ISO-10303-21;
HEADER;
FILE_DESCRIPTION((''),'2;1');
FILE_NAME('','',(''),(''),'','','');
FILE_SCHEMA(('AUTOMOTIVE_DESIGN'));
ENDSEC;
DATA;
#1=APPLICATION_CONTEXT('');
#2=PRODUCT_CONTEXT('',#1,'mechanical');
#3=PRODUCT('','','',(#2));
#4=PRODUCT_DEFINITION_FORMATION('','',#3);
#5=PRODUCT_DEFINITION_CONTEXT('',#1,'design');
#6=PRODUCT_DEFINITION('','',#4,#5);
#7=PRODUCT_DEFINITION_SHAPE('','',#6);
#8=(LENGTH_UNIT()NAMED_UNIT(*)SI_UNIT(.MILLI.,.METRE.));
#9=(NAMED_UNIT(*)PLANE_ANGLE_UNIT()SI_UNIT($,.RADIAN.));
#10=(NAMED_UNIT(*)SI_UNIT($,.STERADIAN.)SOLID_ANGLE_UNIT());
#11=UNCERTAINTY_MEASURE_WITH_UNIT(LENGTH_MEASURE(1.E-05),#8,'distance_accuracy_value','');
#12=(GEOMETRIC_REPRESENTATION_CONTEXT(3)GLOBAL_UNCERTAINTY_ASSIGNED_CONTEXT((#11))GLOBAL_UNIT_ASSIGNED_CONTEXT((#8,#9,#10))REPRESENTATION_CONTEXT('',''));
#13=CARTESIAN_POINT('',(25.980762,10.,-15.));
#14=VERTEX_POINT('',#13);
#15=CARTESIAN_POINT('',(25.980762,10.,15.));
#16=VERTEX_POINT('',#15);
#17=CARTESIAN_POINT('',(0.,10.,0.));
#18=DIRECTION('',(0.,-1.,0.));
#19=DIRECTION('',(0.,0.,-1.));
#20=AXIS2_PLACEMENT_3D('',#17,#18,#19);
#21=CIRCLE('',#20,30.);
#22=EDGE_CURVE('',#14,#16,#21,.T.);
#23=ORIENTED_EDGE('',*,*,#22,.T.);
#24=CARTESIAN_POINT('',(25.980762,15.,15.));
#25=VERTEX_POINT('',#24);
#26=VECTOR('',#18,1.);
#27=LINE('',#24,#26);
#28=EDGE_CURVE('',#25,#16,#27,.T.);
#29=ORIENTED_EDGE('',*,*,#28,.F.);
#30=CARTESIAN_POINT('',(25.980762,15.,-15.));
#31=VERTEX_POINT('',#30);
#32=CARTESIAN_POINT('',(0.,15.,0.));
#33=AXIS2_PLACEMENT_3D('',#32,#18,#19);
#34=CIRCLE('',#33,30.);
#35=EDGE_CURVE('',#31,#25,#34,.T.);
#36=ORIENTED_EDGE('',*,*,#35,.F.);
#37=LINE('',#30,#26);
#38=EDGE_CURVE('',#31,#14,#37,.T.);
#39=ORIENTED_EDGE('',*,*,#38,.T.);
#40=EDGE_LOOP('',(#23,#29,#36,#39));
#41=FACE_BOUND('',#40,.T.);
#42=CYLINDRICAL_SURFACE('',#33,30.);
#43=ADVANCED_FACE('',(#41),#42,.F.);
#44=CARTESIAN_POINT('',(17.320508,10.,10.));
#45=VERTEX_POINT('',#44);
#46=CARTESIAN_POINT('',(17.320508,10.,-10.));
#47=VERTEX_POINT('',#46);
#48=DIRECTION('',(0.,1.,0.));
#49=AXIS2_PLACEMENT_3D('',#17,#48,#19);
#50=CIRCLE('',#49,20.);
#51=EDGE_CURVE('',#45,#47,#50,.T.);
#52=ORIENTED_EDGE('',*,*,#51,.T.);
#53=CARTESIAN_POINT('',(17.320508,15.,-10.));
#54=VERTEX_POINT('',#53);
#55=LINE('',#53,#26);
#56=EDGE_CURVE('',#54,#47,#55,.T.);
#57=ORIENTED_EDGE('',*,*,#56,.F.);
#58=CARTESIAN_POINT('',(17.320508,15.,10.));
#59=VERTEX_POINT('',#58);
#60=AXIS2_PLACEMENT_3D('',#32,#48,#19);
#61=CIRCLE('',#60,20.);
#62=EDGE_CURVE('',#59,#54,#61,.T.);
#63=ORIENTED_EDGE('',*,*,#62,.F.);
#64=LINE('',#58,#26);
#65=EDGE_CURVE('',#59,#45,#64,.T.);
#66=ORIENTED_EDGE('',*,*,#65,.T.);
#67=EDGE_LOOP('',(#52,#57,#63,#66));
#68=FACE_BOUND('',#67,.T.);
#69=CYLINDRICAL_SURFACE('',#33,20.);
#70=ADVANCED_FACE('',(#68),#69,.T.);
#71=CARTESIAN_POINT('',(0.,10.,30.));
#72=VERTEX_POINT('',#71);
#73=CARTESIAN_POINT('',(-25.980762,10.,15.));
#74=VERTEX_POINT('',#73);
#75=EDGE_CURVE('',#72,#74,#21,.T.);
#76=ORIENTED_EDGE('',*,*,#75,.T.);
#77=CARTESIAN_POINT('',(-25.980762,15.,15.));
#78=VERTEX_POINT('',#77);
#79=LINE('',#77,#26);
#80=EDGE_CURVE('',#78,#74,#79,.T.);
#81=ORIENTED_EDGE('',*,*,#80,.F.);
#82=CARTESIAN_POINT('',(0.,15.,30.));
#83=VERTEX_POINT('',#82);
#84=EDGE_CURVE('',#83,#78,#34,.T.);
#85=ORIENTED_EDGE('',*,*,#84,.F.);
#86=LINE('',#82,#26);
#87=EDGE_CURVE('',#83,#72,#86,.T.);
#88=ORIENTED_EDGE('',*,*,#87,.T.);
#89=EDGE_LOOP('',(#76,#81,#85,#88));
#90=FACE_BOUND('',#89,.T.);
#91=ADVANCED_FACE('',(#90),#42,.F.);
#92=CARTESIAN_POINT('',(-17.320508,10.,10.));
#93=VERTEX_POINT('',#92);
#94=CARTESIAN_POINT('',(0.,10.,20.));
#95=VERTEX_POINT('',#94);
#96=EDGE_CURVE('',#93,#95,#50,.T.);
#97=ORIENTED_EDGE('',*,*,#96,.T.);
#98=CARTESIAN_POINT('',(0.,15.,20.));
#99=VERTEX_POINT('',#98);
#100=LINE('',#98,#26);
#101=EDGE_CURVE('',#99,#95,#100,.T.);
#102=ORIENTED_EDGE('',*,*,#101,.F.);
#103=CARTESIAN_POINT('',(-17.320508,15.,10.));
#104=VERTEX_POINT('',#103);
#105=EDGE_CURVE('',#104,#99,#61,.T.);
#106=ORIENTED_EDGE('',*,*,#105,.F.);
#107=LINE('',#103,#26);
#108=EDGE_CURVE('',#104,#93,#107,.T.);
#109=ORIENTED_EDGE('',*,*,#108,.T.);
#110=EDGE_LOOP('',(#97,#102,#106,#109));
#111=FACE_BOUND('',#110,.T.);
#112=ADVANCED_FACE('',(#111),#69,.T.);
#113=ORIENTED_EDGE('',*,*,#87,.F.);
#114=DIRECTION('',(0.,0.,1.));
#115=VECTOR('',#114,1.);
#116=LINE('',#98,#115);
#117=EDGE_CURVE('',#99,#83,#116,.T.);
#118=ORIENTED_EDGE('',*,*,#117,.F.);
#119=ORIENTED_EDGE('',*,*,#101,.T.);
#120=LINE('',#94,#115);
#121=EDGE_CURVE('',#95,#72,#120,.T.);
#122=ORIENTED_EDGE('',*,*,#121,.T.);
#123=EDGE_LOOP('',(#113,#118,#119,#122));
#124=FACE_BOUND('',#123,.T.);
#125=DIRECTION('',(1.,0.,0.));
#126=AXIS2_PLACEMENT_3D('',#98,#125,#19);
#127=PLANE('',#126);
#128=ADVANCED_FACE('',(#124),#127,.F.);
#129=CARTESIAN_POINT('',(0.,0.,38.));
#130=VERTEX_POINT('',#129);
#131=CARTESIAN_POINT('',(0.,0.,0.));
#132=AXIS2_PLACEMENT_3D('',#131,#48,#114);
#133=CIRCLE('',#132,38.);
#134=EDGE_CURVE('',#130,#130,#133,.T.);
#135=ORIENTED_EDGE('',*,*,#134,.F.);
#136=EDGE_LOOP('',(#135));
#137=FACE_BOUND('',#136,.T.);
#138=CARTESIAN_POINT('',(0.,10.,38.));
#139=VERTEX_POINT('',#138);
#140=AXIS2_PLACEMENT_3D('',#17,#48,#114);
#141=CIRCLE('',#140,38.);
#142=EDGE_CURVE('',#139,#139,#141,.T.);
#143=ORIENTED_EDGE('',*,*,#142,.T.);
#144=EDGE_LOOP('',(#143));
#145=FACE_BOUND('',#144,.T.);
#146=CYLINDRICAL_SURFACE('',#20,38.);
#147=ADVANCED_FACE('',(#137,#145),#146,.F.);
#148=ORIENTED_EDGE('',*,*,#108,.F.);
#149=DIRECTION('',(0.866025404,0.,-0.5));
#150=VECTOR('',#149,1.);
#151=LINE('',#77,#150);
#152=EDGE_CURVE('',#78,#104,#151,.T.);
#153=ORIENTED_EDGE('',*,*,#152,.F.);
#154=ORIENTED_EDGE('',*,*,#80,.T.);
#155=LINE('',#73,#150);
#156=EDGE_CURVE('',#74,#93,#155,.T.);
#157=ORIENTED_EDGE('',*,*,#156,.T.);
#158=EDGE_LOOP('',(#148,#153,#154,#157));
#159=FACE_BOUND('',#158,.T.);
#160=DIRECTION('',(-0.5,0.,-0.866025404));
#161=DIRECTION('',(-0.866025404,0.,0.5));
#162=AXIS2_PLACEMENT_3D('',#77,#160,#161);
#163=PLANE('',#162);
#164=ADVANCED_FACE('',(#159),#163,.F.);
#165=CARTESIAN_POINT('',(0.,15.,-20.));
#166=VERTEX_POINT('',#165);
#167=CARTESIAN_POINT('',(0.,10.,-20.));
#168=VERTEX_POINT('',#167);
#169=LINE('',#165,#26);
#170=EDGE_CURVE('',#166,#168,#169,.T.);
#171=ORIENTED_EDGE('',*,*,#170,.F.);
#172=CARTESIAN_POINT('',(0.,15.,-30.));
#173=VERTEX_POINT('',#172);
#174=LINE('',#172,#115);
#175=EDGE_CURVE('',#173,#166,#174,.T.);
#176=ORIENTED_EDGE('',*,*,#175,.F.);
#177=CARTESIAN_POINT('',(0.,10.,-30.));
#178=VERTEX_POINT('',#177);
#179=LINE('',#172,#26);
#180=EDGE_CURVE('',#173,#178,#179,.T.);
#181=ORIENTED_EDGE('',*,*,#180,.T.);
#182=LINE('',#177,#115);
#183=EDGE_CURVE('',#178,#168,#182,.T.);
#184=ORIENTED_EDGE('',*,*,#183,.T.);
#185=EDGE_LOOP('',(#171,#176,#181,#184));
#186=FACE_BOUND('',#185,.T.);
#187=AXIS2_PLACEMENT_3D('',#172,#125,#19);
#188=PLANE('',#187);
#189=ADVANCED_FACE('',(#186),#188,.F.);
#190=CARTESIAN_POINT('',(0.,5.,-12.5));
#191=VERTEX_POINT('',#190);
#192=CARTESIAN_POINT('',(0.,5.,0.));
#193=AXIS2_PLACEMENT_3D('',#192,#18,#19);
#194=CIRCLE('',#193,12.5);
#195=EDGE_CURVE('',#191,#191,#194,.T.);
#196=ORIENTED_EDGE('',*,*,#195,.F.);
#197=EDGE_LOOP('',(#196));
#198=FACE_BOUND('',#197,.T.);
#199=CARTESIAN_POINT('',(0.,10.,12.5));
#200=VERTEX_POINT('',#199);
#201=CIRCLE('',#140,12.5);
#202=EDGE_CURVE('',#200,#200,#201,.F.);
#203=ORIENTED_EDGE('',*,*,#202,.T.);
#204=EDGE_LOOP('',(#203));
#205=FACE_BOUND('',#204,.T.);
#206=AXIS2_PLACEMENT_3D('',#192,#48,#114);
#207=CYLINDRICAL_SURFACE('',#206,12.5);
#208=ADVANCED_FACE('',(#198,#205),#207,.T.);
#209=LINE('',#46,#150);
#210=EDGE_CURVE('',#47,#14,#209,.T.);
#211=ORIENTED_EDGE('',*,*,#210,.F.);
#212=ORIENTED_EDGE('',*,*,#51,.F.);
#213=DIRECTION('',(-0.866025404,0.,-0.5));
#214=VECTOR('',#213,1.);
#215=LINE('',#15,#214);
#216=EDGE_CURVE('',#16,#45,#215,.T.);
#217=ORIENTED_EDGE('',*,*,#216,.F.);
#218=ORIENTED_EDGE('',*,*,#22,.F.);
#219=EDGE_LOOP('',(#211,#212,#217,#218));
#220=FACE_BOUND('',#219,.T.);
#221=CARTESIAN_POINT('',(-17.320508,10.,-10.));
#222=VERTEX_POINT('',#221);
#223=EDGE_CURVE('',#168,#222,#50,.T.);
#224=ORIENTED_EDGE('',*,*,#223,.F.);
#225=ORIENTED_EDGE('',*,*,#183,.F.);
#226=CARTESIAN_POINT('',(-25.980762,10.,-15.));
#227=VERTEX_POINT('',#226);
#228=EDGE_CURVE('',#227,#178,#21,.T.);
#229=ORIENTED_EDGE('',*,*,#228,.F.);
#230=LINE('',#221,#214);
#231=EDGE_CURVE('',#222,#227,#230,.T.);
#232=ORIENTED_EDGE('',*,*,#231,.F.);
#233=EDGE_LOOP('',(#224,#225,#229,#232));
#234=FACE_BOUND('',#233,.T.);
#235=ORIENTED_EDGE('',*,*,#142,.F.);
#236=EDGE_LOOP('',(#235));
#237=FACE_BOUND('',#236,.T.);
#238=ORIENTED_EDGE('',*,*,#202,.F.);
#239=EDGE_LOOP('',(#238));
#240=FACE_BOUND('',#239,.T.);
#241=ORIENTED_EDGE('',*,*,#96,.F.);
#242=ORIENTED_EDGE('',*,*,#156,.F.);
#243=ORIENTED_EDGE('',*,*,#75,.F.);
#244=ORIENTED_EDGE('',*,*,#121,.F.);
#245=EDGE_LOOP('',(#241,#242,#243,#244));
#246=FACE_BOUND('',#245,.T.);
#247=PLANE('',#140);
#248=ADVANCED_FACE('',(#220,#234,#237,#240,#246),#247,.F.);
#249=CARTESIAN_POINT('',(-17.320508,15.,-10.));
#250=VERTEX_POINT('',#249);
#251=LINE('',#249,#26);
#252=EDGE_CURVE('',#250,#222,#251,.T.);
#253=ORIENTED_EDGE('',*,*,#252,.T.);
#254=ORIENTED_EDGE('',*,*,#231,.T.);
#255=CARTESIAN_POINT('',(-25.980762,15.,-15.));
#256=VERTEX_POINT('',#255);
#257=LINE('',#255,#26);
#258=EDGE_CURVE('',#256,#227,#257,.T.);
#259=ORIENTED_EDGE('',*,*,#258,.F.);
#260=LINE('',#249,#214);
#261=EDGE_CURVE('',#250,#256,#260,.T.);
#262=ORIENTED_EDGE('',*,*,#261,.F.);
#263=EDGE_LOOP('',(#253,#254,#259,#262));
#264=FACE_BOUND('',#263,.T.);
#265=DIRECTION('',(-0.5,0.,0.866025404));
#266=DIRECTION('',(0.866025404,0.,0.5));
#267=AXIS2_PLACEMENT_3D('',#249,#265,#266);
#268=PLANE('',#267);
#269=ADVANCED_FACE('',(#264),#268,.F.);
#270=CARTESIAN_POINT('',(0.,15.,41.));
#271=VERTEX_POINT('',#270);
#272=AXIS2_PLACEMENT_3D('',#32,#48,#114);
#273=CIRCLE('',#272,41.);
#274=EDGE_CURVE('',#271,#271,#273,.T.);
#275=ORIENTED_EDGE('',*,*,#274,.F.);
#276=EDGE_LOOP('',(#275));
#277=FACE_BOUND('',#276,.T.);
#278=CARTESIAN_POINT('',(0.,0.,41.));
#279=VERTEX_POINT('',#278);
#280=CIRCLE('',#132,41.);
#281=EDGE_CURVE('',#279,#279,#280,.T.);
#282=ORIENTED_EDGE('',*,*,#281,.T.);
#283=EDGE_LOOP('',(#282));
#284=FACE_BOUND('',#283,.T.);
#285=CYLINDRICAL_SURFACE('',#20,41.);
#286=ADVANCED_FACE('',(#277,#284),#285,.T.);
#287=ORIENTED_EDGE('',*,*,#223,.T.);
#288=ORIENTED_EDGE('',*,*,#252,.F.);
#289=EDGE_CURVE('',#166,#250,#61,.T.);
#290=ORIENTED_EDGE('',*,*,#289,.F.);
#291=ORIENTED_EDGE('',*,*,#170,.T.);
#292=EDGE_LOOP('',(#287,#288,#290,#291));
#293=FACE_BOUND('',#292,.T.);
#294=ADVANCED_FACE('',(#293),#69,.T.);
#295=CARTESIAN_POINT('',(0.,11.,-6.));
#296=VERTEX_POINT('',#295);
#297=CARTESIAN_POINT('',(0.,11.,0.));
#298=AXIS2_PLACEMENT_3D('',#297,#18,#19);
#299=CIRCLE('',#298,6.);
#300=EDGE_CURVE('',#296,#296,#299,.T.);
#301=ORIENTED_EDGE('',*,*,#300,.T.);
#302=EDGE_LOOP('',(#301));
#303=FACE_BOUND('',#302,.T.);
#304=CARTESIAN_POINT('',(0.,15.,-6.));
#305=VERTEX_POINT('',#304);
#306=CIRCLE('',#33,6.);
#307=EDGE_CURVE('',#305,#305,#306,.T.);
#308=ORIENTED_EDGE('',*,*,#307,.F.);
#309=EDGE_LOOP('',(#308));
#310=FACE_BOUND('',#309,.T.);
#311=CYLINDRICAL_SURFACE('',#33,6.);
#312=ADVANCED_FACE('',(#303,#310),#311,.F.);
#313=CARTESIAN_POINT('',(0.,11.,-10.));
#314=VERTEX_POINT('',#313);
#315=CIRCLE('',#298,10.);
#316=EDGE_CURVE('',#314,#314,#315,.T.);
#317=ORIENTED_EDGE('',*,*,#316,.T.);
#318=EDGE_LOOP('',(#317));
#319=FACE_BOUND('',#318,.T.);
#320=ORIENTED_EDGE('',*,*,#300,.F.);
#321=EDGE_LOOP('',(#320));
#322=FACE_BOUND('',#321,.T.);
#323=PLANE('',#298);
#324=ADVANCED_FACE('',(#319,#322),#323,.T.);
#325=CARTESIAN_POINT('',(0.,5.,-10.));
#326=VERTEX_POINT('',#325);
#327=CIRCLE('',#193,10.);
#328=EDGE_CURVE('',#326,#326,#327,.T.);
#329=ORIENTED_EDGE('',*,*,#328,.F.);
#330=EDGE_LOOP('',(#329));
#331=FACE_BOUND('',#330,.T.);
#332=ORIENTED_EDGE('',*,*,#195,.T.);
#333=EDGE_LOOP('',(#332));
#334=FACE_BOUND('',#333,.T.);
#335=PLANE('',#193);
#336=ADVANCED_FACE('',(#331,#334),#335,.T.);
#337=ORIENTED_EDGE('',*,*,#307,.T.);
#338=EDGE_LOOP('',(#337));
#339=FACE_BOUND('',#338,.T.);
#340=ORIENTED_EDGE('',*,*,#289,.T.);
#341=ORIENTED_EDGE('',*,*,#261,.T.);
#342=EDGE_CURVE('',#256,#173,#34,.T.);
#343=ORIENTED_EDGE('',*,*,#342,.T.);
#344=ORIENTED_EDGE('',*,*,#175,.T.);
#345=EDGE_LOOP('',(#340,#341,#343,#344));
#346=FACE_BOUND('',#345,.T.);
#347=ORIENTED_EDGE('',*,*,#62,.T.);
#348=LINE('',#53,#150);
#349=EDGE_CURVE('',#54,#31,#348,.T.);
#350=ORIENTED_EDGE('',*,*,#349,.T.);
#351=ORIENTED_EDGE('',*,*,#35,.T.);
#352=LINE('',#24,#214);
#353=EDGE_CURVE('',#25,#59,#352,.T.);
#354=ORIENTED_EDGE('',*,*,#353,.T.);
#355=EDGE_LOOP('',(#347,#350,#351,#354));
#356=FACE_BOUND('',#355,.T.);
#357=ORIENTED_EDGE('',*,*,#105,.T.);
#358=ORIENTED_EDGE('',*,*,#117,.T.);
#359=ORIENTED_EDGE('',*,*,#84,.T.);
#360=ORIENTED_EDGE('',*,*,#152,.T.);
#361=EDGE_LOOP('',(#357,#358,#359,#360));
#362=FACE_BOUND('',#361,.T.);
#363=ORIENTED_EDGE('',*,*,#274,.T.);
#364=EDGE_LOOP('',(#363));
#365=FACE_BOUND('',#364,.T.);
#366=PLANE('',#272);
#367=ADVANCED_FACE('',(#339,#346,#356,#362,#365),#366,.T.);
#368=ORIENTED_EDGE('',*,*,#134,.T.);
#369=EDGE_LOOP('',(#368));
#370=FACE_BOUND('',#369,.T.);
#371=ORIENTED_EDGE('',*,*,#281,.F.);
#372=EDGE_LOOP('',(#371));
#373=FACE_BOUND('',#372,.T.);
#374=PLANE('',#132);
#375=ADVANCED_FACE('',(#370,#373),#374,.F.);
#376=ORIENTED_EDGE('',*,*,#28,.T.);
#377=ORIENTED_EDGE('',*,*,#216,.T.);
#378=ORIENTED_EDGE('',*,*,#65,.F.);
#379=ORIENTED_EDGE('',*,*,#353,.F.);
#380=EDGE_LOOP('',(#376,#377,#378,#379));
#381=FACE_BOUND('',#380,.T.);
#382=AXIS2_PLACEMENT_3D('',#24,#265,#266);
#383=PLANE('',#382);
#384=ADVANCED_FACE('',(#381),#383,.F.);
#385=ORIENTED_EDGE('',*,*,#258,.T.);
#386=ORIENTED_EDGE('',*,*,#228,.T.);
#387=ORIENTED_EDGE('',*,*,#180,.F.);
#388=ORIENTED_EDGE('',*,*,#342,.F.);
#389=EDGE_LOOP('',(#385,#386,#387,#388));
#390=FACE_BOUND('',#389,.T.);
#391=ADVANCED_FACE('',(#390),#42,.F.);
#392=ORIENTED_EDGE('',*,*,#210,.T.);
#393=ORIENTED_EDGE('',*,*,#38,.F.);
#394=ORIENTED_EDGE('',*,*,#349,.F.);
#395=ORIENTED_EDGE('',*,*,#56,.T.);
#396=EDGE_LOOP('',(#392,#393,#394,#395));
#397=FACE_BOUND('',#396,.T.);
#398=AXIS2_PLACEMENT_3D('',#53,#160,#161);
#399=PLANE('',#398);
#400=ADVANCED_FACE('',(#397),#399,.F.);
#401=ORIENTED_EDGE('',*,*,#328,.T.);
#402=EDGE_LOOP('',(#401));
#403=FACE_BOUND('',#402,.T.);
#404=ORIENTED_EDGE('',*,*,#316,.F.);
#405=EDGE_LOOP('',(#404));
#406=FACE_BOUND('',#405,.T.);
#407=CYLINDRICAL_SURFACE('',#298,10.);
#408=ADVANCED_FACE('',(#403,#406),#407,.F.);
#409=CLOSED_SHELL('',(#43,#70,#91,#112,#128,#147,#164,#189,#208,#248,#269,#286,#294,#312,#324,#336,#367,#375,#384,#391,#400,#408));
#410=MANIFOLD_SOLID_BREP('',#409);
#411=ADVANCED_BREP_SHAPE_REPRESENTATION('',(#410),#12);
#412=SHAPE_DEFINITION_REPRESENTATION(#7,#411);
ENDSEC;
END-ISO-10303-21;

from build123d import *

# Parameters (mm, degrees)
SKETCH1_R           = 41
SKETCH1_R_2         = 38
BOSS_EXTRUDE1_DEPTH = 10
SKETCH3_R           = 41
BOSS_EXTRUDE2_DEPTH = 5
SKETCH4_R           = 12.5
BOSS_EXTRUDE3_DEPTH = 5
SKETCH5_R           = 10
CUT_EXTRUDE1_DEPTH  = 6
SKETCH6_R           = 6
CUT_EXTRUDE2_DEPTH  = 5
CUT_EXTRUDE3_DEPTH  = 6


with BuildPart() as part:
    # Sketch1 → Boss-Extrude1 (new body)
    with BuildSketch(Plane(origin=(0, 0, 0), x_dir=(1, 0, 0), z_dir=(0, 1, 0))):
        Circle(SKETCH1_R)
        Circle(SKETCH1_R_2, mode=Mode.SUBTRACT)
    extrude(amount=BOSS_EXTRUDE1_DEPTH)

    # Sketch3 → Boss-Extrude2 (add)
    with BuildSketch(Plane(origin=(0, 10, 0), x_dir=(1, 0, 0), z_dir=(0, 1, 0))):
        Circle(SKETCH3_R)
    extrude(amount=BOSS_EXTRUDE2_DEPTH)

    # Sketch4 → Boss-Extrude3 (add)
    with BuildSketch(Plane.XZ.offset(-10)):
        Circle(SKETCH4_R)
    extrude(amount=BOSS_EXTRUDE3_DEPTH)

    # Sketch5 → Cut-Extrude1 (cut)
    with BuildSketch(Plane.XZ.offset(-5)):
        Circle(SKETCH5_R)
    extrude(amount=-CUT_EXTRUDE1_DEPTH, mode=Mode.SUBTRACT)

    # Sketch6 → Cut-Extrude2 (cut, through all)
    with BuildSketch(Plane.XZ.offset(-11)):
        Circle(SKETCH6_R)
    extrude(amount=-CUT_EXTRUDE2_DEPTH, mode=Mode.SUBTRACT)

    # Sketch7 → Cut-Extrude3 (cut, through all)
    with BuildSketch(Plane.XZ.offset(-10)):
        with BuildLine():
            Line((0, 20), (0, 30))
            ThreePointArc((0, 30), (-15, 25.980762114), (-25.980762114, 15))
            Line((-25.980762114, 15), (-17.320508076, 10))
            ThreePointArc((-17.320508076, 10), (-10, 17.320508076), (0, 20))
        make_face()
        with BuildLine():
            Line((17.320508076, -10), (25.980762114, -15))
            ThreePointArc((25.980762114, -15), (30, 0), (25.980762114, 15))
            Line((25.980762114, 15), (17.320508076, 10))
            ThreePointArc((17.320508076, 10), (20, 0), (17.320508076, -10))
        make_face()
        with BuildLine():
            Line((-17.320508076, -10), (-25.980762114, -15))
            ThreePointArc((-25.980762114, -15), (-15, -25.980762114), (0, -30))
            Line((0, -30), (0, -20))
            ThreePointArc((0, -20), (-10, -17.320508076), (-17.320508076, -10))
        make_face()
    extrude(amount=-CUT_EXTRUDE3_DEPTH, mode=Mode.SUBTRACT)


solid = part.part
